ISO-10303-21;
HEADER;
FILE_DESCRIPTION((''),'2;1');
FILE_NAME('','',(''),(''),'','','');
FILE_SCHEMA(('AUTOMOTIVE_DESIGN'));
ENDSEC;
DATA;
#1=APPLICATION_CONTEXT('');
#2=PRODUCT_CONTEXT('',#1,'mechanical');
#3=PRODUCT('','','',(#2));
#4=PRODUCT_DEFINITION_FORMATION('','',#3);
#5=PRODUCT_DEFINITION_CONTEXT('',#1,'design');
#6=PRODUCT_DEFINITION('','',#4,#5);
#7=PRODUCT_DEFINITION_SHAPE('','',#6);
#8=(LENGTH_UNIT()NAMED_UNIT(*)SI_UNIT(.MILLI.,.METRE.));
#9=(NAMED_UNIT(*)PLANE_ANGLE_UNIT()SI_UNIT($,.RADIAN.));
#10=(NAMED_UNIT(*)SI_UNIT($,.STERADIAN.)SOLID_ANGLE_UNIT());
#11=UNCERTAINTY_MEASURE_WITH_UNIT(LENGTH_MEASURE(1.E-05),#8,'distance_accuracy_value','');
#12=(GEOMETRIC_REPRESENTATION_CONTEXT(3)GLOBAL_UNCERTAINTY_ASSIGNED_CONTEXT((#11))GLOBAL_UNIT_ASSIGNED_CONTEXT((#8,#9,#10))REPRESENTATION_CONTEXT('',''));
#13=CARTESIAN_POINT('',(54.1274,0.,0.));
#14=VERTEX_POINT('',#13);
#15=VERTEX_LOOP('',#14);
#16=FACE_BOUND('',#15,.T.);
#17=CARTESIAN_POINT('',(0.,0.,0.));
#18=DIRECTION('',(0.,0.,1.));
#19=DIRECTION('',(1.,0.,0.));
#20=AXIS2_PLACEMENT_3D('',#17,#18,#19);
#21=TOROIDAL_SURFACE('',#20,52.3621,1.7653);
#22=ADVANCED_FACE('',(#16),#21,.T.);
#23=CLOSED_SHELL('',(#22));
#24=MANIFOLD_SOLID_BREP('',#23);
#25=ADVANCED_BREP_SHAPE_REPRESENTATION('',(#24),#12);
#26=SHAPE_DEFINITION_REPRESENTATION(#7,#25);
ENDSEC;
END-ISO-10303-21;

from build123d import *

# Parameters (mm, degrees)
SKETCH1_R = 1.7653


with BuildPart() as part:
    # Sketch1 → Revolve1 (revolve)
    with BuildSketch(Plane(origin=(0, 0, 0), x_dir=(0, -1, 0), z_dir=(1, 0, 0))):
        with Locations((52.3621, 0)):
            Circle(SKETCH1_R)
    revolve(axis=Axis((0, 0, 1.7653), (0, 0, -1)))


solid = part.part
